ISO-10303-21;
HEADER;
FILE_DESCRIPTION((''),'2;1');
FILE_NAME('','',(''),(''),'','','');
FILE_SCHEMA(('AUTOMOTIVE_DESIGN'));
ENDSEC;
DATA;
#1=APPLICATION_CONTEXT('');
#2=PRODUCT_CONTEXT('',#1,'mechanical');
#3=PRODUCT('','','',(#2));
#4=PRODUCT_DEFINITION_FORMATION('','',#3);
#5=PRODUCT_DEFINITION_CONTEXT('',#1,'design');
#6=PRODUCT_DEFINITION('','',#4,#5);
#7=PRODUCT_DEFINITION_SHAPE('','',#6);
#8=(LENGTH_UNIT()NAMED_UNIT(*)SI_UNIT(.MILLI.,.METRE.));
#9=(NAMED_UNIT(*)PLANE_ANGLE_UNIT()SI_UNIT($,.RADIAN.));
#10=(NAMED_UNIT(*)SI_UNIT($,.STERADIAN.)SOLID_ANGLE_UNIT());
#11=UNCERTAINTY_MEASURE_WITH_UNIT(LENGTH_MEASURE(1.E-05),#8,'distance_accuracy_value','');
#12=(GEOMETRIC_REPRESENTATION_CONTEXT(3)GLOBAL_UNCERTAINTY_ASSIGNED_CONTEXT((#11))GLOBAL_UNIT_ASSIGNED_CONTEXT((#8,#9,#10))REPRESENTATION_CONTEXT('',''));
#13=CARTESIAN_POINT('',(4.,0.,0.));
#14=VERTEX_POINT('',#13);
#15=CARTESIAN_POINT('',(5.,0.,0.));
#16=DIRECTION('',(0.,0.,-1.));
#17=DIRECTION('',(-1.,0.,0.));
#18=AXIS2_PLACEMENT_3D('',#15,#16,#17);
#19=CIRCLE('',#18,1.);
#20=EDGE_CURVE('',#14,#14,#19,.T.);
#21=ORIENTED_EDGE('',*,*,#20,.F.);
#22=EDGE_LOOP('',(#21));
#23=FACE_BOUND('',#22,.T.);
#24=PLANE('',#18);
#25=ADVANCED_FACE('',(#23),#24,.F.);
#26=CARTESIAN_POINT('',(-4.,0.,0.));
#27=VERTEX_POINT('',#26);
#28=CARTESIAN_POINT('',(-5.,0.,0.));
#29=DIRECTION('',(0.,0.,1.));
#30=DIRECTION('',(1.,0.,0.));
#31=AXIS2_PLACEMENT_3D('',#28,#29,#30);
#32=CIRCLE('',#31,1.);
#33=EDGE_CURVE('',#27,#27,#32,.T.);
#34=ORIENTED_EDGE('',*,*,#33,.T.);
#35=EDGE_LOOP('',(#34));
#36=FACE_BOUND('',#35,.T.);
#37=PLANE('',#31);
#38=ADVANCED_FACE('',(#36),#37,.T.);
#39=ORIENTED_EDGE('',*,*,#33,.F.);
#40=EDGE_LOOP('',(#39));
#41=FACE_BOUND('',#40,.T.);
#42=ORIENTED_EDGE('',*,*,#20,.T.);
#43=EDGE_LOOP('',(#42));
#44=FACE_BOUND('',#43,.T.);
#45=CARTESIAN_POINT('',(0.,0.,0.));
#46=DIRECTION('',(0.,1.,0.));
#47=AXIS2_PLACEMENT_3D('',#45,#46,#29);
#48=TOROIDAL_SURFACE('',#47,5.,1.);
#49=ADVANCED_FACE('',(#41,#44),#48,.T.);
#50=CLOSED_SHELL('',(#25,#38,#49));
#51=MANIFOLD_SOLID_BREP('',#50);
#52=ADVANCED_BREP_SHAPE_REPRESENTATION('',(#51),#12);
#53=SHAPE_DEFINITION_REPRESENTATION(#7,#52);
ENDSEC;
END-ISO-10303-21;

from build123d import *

# Parameters (mm, degrees)
SKETCH2_R = 1


with BuildPart() as part:
    # Sweep1: sweep along a path in Sketch1
    with BuildLine(Plane(origin=(0, 0, 0), x_dir=(1, 0, 0), z_dir=(0, 1, 0))) as sweep1_path:
        ThreePointArc((5, 0), (0, 5), (-5, 0))
    # Sketch2 → Sweep1 (sweep)
    with BuildSketch(Plane.XY):
        with Locations((-5, 0)):
            Circle(SKETCH2_R)
    sweep(path=sweep1_path.line)


solid = part.part
